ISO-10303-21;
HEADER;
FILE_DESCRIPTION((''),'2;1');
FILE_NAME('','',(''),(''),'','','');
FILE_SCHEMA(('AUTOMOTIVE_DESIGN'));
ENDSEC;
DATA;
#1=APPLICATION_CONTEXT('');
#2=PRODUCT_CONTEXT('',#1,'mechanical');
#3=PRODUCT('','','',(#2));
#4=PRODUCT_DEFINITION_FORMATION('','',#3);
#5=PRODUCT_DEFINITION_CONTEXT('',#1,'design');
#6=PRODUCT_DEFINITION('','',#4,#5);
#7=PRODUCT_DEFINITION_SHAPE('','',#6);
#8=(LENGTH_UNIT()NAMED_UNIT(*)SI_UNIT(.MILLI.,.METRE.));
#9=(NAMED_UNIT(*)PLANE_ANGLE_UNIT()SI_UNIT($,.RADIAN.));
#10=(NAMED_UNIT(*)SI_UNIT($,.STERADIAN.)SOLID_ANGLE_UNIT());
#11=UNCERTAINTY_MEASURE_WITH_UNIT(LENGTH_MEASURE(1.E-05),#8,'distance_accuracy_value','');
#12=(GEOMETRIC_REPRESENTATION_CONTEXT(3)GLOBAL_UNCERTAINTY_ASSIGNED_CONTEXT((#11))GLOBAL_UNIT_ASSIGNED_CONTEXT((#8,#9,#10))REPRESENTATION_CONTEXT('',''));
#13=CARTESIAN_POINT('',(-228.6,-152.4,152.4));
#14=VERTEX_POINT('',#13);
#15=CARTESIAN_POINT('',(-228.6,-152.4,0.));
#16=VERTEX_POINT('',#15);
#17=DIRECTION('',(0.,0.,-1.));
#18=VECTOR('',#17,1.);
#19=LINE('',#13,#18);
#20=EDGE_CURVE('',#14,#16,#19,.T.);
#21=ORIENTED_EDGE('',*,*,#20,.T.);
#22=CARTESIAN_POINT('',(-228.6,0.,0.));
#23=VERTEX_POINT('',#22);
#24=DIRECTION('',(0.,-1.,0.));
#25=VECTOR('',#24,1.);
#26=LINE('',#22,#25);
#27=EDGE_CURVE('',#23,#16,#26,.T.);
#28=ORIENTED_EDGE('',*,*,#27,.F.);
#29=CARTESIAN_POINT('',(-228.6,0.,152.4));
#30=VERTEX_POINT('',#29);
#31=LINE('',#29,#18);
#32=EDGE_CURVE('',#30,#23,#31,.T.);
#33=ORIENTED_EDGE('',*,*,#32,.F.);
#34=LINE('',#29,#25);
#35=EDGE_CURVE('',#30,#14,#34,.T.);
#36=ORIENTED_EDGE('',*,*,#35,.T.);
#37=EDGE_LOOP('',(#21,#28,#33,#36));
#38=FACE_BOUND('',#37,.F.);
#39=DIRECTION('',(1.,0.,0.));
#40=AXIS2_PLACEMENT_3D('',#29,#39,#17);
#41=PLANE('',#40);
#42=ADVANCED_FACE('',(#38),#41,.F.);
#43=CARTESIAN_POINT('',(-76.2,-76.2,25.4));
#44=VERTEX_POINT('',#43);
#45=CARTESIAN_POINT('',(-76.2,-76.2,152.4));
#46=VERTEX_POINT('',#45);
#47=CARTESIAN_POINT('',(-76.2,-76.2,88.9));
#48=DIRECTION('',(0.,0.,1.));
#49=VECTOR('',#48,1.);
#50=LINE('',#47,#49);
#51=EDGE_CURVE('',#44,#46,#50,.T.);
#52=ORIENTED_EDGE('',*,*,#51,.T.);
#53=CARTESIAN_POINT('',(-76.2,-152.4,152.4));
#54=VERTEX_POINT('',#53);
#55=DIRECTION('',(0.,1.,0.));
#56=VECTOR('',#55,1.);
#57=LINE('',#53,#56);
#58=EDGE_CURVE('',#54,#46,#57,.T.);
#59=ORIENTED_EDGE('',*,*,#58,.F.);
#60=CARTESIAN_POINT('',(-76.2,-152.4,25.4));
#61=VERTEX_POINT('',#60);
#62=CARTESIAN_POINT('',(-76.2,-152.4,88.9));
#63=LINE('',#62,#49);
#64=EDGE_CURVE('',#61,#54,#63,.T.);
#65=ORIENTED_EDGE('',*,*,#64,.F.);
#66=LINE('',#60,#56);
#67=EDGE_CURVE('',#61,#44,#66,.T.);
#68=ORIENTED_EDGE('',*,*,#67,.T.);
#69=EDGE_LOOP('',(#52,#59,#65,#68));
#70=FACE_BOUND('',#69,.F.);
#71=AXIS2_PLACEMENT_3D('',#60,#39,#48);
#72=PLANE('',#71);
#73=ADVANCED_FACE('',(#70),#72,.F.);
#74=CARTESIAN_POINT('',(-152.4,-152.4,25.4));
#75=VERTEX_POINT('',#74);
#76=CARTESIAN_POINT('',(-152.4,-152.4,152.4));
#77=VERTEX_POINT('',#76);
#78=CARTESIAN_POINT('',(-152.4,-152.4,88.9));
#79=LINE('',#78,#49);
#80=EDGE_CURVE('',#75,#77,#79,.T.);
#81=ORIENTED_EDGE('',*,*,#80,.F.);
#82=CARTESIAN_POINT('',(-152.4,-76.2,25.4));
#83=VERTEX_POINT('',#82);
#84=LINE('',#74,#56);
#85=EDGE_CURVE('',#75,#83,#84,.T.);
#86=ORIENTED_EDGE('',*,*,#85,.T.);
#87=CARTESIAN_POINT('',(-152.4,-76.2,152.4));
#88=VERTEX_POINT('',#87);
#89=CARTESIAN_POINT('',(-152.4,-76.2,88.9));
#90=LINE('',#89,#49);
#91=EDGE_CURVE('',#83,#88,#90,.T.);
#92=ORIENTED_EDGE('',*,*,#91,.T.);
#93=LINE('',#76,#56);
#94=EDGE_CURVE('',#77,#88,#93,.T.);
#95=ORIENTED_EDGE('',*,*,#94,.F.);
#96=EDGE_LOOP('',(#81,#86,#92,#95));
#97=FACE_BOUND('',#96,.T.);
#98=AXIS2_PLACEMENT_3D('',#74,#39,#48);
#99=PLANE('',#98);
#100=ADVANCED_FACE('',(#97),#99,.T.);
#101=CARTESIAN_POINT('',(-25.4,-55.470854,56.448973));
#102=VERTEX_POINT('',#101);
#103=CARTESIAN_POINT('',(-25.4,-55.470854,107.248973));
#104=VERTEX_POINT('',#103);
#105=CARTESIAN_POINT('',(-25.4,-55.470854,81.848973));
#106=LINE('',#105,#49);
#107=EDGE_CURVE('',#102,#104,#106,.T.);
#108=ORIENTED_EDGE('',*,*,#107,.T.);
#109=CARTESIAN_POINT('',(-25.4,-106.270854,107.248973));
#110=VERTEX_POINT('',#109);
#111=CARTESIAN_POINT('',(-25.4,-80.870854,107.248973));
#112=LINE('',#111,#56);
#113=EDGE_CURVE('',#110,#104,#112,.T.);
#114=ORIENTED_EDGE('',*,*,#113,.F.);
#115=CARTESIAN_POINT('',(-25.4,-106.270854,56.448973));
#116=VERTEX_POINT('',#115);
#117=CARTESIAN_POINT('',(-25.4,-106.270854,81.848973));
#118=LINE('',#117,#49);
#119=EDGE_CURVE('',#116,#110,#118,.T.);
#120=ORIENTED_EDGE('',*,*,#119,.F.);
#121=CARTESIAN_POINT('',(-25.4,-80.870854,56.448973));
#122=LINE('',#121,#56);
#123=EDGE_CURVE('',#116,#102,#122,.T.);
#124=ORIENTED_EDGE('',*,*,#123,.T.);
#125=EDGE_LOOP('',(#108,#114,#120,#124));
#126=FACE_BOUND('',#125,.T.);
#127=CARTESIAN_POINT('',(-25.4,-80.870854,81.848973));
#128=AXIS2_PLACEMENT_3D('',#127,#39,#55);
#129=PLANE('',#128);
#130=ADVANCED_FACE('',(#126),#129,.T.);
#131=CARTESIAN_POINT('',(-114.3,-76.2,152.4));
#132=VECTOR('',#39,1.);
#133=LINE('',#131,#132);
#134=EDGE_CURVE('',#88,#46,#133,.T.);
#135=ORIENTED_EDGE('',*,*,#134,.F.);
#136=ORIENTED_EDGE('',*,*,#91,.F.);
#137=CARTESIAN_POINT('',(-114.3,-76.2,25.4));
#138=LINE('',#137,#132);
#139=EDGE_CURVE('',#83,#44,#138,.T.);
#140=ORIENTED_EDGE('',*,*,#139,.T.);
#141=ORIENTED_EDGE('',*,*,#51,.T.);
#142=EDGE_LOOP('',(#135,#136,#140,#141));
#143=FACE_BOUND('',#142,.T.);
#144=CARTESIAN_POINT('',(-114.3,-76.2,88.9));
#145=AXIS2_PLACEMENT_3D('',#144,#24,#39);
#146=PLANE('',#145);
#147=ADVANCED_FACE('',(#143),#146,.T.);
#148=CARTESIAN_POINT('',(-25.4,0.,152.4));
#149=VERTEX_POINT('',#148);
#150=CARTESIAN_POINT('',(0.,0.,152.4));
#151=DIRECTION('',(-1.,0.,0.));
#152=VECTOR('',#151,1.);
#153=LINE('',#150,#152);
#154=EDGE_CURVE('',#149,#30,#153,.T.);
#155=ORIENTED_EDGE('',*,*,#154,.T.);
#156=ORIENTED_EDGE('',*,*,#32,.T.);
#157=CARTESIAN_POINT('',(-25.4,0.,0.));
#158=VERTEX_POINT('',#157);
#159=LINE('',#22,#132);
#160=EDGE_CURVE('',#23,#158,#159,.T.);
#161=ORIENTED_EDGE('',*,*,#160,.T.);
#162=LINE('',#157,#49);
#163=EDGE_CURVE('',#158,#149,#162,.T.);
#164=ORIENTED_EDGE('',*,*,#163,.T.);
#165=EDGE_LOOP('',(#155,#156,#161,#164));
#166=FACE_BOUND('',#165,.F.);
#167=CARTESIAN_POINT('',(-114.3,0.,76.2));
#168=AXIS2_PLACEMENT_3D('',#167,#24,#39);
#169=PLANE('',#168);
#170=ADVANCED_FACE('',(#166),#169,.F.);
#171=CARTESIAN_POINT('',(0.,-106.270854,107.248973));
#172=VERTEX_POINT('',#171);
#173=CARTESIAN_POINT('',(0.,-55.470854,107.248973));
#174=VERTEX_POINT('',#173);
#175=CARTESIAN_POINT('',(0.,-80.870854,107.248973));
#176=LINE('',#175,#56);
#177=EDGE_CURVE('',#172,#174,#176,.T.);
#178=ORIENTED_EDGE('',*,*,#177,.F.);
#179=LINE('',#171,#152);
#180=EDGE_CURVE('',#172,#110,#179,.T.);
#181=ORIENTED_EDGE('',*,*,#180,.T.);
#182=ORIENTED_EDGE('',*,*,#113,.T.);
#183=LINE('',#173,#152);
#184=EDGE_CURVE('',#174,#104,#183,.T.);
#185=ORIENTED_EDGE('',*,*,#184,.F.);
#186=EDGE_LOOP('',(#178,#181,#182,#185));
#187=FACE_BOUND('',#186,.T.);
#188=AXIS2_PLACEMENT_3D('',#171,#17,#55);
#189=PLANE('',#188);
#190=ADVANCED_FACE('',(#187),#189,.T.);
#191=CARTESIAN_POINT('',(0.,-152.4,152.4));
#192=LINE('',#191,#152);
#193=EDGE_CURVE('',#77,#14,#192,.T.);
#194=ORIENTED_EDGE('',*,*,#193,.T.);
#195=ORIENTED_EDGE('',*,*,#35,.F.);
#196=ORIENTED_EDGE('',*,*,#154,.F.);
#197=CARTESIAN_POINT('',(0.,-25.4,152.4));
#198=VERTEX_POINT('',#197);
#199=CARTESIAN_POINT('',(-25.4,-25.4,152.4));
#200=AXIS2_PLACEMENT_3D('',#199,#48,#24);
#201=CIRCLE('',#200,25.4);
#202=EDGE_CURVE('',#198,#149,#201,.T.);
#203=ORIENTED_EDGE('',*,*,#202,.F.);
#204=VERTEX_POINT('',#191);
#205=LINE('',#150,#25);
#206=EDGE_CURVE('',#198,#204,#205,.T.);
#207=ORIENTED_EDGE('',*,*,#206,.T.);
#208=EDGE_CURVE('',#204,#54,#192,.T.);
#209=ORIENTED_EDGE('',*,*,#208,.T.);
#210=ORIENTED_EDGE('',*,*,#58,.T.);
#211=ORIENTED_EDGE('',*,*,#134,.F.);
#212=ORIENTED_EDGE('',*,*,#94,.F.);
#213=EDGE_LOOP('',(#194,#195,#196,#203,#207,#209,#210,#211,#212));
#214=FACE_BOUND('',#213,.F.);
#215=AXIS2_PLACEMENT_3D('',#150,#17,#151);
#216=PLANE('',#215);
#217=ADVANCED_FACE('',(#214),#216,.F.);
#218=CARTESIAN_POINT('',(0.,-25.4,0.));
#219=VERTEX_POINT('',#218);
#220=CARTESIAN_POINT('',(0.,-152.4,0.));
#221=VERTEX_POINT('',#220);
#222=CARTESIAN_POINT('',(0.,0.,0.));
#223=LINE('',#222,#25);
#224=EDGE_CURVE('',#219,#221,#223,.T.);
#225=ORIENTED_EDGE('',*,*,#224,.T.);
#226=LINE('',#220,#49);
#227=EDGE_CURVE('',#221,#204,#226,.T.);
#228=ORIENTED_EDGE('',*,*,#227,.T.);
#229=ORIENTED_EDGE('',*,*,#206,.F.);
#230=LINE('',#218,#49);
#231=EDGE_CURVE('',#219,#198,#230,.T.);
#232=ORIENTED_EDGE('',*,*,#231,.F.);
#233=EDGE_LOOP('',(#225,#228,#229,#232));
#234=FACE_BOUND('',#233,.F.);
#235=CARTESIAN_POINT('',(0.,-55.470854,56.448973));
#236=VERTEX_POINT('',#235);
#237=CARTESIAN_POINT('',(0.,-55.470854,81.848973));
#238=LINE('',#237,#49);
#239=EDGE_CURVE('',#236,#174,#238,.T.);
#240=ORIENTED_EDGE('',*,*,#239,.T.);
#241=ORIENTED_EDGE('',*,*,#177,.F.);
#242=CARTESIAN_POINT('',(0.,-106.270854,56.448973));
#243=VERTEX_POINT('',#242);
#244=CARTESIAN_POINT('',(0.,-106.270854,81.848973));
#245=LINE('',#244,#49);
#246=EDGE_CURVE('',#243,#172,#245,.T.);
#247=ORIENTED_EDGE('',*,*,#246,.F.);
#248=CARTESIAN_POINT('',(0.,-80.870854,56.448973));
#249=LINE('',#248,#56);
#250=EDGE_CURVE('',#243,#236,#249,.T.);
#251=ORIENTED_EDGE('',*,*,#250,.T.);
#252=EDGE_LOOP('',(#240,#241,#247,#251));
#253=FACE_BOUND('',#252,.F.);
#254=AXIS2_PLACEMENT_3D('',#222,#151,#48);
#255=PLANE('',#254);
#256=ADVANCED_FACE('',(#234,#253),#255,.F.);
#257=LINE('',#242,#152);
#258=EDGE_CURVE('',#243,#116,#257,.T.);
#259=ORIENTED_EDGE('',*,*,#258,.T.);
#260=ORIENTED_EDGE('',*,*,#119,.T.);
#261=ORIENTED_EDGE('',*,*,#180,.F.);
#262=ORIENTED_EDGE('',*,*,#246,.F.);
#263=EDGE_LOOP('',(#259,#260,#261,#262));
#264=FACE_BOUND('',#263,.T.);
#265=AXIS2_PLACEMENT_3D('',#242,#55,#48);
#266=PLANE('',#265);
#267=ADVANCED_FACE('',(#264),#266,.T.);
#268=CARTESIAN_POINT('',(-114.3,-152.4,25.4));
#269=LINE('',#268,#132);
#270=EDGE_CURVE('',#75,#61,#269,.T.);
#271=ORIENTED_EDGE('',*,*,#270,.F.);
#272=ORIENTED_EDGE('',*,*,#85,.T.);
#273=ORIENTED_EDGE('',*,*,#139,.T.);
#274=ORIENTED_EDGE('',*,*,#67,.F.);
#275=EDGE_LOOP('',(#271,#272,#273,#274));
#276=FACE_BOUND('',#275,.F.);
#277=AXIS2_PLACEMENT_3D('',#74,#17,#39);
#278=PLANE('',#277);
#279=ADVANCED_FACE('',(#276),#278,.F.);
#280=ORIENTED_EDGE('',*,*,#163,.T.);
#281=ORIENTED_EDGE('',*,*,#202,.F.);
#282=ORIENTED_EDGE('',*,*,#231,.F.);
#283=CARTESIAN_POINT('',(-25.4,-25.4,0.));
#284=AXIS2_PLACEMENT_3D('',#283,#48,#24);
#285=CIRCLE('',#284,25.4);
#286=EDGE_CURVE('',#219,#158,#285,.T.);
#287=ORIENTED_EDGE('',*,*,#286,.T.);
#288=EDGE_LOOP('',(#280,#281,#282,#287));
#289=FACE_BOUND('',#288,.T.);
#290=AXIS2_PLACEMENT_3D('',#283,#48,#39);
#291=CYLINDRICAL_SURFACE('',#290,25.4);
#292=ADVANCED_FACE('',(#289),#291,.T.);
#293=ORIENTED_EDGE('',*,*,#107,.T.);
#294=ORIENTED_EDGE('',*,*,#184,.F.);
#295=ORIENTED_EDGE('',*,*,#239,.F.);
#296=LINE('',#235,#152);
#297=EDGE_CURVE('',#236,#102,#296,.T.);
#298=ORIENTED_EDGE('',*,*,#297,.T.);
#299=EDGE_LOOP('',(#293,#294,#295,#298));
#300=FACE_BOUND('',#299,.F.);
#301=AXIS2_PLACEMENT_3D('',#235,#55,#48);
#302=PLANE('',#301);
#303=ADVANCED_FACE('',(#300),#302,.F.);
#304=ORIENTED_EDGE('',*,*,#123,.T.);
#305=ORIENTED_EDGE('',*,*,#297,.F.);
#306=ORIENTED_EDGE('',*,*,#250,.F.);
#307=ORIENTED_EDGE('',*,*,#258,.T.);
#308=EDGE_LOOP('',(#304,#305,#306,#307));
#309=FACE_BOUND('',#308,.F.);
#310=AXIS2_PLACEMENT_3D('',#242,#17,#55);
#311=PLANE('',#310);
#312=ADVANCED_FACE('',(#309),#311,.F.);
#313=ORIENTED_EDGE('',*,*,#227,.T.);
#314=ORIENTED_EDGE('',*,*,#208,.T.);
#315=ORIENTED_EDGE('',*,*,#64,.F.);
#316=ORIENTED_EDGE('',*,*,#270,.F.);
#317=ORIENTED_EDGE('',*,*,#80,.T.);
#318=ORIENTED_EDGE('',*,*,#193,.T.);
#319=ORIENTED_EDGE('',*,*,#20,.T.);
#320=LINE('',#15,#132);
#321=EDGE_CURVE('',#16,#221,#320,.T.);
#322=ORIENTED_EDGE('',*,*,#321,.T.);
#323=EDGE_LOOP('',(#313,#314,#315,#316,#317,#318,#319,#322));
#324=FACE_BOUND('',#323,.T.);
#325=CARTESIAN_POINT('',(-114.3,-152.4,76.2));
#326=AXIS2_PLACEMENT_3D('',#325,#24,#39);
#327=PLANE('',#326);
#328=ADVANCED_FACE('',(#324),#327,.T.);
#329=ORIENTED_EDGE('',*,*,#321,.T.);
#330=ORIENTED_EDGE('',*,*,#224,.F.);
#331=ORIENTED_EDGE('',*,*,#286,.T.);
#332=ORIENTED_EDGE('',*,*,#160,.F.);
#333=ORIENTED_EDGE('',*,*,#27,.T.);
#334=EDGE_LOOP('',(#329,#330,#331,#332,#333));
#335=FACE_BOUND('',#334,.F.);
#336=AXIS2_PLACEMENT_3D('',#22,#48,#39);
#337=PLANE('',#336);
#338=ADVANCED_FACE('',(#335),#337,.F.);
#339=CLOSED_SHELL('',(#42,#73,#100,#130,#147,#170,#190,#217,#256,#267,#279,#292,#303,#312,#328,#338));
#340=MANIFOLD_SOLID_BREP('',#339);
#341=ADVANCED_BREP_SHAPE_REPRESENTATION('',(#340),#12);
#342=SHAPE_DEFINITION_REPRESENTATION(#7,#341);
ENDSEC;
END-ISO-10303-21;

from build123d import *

# Parameters (mm, degrees)
F1_DEPTH = 152.4
F2_W     = 76.2
F2_H     = 127
F3_DEPTH = 76.2
F4_W     = 50.8
F4_H     = 50.8
F5_DEPTH = 25.4
F6_R     = 25.4


with BuildPart() as f1:
    # F0 (on Front) → F1 (new body)
    with BuildSketch(Plane.XZ):
        Polygon((-228.6, 0), (0, 0), (0, 152.4), (-161.745285, 152.4), (-228.6, 152.4), align=None)
    extrude(amount=F1_DEPTH)

    # F2 (on face) → F3 (cut)
    with BuildSketch(Plane.XZ.offset(152.4)):
        with Locations((-114.3, 88.9)):
            Rectangle(F2_W, F2_H)
    extrude(amount=-F3_DEPTH, mode=Mode.SUBTRACT)

    # F4 (on face) → F5 (cut)
    with BuildSketch(Plane.YZ):
        with Locations((-80.870854, 81.848973)):
            Rectangle(F4_W, F4_H)
    extrude(amount=-F5_DEPTH, mode=Mode.SUBTRACT)

    # F6
    f6_edges = [f1.edges().sort_by_distance(p)[0] for p in [
        (0, 0, 76.2),
    ]]
    fillet(f6_edges, radius=F6_R)


solid = f1.part
